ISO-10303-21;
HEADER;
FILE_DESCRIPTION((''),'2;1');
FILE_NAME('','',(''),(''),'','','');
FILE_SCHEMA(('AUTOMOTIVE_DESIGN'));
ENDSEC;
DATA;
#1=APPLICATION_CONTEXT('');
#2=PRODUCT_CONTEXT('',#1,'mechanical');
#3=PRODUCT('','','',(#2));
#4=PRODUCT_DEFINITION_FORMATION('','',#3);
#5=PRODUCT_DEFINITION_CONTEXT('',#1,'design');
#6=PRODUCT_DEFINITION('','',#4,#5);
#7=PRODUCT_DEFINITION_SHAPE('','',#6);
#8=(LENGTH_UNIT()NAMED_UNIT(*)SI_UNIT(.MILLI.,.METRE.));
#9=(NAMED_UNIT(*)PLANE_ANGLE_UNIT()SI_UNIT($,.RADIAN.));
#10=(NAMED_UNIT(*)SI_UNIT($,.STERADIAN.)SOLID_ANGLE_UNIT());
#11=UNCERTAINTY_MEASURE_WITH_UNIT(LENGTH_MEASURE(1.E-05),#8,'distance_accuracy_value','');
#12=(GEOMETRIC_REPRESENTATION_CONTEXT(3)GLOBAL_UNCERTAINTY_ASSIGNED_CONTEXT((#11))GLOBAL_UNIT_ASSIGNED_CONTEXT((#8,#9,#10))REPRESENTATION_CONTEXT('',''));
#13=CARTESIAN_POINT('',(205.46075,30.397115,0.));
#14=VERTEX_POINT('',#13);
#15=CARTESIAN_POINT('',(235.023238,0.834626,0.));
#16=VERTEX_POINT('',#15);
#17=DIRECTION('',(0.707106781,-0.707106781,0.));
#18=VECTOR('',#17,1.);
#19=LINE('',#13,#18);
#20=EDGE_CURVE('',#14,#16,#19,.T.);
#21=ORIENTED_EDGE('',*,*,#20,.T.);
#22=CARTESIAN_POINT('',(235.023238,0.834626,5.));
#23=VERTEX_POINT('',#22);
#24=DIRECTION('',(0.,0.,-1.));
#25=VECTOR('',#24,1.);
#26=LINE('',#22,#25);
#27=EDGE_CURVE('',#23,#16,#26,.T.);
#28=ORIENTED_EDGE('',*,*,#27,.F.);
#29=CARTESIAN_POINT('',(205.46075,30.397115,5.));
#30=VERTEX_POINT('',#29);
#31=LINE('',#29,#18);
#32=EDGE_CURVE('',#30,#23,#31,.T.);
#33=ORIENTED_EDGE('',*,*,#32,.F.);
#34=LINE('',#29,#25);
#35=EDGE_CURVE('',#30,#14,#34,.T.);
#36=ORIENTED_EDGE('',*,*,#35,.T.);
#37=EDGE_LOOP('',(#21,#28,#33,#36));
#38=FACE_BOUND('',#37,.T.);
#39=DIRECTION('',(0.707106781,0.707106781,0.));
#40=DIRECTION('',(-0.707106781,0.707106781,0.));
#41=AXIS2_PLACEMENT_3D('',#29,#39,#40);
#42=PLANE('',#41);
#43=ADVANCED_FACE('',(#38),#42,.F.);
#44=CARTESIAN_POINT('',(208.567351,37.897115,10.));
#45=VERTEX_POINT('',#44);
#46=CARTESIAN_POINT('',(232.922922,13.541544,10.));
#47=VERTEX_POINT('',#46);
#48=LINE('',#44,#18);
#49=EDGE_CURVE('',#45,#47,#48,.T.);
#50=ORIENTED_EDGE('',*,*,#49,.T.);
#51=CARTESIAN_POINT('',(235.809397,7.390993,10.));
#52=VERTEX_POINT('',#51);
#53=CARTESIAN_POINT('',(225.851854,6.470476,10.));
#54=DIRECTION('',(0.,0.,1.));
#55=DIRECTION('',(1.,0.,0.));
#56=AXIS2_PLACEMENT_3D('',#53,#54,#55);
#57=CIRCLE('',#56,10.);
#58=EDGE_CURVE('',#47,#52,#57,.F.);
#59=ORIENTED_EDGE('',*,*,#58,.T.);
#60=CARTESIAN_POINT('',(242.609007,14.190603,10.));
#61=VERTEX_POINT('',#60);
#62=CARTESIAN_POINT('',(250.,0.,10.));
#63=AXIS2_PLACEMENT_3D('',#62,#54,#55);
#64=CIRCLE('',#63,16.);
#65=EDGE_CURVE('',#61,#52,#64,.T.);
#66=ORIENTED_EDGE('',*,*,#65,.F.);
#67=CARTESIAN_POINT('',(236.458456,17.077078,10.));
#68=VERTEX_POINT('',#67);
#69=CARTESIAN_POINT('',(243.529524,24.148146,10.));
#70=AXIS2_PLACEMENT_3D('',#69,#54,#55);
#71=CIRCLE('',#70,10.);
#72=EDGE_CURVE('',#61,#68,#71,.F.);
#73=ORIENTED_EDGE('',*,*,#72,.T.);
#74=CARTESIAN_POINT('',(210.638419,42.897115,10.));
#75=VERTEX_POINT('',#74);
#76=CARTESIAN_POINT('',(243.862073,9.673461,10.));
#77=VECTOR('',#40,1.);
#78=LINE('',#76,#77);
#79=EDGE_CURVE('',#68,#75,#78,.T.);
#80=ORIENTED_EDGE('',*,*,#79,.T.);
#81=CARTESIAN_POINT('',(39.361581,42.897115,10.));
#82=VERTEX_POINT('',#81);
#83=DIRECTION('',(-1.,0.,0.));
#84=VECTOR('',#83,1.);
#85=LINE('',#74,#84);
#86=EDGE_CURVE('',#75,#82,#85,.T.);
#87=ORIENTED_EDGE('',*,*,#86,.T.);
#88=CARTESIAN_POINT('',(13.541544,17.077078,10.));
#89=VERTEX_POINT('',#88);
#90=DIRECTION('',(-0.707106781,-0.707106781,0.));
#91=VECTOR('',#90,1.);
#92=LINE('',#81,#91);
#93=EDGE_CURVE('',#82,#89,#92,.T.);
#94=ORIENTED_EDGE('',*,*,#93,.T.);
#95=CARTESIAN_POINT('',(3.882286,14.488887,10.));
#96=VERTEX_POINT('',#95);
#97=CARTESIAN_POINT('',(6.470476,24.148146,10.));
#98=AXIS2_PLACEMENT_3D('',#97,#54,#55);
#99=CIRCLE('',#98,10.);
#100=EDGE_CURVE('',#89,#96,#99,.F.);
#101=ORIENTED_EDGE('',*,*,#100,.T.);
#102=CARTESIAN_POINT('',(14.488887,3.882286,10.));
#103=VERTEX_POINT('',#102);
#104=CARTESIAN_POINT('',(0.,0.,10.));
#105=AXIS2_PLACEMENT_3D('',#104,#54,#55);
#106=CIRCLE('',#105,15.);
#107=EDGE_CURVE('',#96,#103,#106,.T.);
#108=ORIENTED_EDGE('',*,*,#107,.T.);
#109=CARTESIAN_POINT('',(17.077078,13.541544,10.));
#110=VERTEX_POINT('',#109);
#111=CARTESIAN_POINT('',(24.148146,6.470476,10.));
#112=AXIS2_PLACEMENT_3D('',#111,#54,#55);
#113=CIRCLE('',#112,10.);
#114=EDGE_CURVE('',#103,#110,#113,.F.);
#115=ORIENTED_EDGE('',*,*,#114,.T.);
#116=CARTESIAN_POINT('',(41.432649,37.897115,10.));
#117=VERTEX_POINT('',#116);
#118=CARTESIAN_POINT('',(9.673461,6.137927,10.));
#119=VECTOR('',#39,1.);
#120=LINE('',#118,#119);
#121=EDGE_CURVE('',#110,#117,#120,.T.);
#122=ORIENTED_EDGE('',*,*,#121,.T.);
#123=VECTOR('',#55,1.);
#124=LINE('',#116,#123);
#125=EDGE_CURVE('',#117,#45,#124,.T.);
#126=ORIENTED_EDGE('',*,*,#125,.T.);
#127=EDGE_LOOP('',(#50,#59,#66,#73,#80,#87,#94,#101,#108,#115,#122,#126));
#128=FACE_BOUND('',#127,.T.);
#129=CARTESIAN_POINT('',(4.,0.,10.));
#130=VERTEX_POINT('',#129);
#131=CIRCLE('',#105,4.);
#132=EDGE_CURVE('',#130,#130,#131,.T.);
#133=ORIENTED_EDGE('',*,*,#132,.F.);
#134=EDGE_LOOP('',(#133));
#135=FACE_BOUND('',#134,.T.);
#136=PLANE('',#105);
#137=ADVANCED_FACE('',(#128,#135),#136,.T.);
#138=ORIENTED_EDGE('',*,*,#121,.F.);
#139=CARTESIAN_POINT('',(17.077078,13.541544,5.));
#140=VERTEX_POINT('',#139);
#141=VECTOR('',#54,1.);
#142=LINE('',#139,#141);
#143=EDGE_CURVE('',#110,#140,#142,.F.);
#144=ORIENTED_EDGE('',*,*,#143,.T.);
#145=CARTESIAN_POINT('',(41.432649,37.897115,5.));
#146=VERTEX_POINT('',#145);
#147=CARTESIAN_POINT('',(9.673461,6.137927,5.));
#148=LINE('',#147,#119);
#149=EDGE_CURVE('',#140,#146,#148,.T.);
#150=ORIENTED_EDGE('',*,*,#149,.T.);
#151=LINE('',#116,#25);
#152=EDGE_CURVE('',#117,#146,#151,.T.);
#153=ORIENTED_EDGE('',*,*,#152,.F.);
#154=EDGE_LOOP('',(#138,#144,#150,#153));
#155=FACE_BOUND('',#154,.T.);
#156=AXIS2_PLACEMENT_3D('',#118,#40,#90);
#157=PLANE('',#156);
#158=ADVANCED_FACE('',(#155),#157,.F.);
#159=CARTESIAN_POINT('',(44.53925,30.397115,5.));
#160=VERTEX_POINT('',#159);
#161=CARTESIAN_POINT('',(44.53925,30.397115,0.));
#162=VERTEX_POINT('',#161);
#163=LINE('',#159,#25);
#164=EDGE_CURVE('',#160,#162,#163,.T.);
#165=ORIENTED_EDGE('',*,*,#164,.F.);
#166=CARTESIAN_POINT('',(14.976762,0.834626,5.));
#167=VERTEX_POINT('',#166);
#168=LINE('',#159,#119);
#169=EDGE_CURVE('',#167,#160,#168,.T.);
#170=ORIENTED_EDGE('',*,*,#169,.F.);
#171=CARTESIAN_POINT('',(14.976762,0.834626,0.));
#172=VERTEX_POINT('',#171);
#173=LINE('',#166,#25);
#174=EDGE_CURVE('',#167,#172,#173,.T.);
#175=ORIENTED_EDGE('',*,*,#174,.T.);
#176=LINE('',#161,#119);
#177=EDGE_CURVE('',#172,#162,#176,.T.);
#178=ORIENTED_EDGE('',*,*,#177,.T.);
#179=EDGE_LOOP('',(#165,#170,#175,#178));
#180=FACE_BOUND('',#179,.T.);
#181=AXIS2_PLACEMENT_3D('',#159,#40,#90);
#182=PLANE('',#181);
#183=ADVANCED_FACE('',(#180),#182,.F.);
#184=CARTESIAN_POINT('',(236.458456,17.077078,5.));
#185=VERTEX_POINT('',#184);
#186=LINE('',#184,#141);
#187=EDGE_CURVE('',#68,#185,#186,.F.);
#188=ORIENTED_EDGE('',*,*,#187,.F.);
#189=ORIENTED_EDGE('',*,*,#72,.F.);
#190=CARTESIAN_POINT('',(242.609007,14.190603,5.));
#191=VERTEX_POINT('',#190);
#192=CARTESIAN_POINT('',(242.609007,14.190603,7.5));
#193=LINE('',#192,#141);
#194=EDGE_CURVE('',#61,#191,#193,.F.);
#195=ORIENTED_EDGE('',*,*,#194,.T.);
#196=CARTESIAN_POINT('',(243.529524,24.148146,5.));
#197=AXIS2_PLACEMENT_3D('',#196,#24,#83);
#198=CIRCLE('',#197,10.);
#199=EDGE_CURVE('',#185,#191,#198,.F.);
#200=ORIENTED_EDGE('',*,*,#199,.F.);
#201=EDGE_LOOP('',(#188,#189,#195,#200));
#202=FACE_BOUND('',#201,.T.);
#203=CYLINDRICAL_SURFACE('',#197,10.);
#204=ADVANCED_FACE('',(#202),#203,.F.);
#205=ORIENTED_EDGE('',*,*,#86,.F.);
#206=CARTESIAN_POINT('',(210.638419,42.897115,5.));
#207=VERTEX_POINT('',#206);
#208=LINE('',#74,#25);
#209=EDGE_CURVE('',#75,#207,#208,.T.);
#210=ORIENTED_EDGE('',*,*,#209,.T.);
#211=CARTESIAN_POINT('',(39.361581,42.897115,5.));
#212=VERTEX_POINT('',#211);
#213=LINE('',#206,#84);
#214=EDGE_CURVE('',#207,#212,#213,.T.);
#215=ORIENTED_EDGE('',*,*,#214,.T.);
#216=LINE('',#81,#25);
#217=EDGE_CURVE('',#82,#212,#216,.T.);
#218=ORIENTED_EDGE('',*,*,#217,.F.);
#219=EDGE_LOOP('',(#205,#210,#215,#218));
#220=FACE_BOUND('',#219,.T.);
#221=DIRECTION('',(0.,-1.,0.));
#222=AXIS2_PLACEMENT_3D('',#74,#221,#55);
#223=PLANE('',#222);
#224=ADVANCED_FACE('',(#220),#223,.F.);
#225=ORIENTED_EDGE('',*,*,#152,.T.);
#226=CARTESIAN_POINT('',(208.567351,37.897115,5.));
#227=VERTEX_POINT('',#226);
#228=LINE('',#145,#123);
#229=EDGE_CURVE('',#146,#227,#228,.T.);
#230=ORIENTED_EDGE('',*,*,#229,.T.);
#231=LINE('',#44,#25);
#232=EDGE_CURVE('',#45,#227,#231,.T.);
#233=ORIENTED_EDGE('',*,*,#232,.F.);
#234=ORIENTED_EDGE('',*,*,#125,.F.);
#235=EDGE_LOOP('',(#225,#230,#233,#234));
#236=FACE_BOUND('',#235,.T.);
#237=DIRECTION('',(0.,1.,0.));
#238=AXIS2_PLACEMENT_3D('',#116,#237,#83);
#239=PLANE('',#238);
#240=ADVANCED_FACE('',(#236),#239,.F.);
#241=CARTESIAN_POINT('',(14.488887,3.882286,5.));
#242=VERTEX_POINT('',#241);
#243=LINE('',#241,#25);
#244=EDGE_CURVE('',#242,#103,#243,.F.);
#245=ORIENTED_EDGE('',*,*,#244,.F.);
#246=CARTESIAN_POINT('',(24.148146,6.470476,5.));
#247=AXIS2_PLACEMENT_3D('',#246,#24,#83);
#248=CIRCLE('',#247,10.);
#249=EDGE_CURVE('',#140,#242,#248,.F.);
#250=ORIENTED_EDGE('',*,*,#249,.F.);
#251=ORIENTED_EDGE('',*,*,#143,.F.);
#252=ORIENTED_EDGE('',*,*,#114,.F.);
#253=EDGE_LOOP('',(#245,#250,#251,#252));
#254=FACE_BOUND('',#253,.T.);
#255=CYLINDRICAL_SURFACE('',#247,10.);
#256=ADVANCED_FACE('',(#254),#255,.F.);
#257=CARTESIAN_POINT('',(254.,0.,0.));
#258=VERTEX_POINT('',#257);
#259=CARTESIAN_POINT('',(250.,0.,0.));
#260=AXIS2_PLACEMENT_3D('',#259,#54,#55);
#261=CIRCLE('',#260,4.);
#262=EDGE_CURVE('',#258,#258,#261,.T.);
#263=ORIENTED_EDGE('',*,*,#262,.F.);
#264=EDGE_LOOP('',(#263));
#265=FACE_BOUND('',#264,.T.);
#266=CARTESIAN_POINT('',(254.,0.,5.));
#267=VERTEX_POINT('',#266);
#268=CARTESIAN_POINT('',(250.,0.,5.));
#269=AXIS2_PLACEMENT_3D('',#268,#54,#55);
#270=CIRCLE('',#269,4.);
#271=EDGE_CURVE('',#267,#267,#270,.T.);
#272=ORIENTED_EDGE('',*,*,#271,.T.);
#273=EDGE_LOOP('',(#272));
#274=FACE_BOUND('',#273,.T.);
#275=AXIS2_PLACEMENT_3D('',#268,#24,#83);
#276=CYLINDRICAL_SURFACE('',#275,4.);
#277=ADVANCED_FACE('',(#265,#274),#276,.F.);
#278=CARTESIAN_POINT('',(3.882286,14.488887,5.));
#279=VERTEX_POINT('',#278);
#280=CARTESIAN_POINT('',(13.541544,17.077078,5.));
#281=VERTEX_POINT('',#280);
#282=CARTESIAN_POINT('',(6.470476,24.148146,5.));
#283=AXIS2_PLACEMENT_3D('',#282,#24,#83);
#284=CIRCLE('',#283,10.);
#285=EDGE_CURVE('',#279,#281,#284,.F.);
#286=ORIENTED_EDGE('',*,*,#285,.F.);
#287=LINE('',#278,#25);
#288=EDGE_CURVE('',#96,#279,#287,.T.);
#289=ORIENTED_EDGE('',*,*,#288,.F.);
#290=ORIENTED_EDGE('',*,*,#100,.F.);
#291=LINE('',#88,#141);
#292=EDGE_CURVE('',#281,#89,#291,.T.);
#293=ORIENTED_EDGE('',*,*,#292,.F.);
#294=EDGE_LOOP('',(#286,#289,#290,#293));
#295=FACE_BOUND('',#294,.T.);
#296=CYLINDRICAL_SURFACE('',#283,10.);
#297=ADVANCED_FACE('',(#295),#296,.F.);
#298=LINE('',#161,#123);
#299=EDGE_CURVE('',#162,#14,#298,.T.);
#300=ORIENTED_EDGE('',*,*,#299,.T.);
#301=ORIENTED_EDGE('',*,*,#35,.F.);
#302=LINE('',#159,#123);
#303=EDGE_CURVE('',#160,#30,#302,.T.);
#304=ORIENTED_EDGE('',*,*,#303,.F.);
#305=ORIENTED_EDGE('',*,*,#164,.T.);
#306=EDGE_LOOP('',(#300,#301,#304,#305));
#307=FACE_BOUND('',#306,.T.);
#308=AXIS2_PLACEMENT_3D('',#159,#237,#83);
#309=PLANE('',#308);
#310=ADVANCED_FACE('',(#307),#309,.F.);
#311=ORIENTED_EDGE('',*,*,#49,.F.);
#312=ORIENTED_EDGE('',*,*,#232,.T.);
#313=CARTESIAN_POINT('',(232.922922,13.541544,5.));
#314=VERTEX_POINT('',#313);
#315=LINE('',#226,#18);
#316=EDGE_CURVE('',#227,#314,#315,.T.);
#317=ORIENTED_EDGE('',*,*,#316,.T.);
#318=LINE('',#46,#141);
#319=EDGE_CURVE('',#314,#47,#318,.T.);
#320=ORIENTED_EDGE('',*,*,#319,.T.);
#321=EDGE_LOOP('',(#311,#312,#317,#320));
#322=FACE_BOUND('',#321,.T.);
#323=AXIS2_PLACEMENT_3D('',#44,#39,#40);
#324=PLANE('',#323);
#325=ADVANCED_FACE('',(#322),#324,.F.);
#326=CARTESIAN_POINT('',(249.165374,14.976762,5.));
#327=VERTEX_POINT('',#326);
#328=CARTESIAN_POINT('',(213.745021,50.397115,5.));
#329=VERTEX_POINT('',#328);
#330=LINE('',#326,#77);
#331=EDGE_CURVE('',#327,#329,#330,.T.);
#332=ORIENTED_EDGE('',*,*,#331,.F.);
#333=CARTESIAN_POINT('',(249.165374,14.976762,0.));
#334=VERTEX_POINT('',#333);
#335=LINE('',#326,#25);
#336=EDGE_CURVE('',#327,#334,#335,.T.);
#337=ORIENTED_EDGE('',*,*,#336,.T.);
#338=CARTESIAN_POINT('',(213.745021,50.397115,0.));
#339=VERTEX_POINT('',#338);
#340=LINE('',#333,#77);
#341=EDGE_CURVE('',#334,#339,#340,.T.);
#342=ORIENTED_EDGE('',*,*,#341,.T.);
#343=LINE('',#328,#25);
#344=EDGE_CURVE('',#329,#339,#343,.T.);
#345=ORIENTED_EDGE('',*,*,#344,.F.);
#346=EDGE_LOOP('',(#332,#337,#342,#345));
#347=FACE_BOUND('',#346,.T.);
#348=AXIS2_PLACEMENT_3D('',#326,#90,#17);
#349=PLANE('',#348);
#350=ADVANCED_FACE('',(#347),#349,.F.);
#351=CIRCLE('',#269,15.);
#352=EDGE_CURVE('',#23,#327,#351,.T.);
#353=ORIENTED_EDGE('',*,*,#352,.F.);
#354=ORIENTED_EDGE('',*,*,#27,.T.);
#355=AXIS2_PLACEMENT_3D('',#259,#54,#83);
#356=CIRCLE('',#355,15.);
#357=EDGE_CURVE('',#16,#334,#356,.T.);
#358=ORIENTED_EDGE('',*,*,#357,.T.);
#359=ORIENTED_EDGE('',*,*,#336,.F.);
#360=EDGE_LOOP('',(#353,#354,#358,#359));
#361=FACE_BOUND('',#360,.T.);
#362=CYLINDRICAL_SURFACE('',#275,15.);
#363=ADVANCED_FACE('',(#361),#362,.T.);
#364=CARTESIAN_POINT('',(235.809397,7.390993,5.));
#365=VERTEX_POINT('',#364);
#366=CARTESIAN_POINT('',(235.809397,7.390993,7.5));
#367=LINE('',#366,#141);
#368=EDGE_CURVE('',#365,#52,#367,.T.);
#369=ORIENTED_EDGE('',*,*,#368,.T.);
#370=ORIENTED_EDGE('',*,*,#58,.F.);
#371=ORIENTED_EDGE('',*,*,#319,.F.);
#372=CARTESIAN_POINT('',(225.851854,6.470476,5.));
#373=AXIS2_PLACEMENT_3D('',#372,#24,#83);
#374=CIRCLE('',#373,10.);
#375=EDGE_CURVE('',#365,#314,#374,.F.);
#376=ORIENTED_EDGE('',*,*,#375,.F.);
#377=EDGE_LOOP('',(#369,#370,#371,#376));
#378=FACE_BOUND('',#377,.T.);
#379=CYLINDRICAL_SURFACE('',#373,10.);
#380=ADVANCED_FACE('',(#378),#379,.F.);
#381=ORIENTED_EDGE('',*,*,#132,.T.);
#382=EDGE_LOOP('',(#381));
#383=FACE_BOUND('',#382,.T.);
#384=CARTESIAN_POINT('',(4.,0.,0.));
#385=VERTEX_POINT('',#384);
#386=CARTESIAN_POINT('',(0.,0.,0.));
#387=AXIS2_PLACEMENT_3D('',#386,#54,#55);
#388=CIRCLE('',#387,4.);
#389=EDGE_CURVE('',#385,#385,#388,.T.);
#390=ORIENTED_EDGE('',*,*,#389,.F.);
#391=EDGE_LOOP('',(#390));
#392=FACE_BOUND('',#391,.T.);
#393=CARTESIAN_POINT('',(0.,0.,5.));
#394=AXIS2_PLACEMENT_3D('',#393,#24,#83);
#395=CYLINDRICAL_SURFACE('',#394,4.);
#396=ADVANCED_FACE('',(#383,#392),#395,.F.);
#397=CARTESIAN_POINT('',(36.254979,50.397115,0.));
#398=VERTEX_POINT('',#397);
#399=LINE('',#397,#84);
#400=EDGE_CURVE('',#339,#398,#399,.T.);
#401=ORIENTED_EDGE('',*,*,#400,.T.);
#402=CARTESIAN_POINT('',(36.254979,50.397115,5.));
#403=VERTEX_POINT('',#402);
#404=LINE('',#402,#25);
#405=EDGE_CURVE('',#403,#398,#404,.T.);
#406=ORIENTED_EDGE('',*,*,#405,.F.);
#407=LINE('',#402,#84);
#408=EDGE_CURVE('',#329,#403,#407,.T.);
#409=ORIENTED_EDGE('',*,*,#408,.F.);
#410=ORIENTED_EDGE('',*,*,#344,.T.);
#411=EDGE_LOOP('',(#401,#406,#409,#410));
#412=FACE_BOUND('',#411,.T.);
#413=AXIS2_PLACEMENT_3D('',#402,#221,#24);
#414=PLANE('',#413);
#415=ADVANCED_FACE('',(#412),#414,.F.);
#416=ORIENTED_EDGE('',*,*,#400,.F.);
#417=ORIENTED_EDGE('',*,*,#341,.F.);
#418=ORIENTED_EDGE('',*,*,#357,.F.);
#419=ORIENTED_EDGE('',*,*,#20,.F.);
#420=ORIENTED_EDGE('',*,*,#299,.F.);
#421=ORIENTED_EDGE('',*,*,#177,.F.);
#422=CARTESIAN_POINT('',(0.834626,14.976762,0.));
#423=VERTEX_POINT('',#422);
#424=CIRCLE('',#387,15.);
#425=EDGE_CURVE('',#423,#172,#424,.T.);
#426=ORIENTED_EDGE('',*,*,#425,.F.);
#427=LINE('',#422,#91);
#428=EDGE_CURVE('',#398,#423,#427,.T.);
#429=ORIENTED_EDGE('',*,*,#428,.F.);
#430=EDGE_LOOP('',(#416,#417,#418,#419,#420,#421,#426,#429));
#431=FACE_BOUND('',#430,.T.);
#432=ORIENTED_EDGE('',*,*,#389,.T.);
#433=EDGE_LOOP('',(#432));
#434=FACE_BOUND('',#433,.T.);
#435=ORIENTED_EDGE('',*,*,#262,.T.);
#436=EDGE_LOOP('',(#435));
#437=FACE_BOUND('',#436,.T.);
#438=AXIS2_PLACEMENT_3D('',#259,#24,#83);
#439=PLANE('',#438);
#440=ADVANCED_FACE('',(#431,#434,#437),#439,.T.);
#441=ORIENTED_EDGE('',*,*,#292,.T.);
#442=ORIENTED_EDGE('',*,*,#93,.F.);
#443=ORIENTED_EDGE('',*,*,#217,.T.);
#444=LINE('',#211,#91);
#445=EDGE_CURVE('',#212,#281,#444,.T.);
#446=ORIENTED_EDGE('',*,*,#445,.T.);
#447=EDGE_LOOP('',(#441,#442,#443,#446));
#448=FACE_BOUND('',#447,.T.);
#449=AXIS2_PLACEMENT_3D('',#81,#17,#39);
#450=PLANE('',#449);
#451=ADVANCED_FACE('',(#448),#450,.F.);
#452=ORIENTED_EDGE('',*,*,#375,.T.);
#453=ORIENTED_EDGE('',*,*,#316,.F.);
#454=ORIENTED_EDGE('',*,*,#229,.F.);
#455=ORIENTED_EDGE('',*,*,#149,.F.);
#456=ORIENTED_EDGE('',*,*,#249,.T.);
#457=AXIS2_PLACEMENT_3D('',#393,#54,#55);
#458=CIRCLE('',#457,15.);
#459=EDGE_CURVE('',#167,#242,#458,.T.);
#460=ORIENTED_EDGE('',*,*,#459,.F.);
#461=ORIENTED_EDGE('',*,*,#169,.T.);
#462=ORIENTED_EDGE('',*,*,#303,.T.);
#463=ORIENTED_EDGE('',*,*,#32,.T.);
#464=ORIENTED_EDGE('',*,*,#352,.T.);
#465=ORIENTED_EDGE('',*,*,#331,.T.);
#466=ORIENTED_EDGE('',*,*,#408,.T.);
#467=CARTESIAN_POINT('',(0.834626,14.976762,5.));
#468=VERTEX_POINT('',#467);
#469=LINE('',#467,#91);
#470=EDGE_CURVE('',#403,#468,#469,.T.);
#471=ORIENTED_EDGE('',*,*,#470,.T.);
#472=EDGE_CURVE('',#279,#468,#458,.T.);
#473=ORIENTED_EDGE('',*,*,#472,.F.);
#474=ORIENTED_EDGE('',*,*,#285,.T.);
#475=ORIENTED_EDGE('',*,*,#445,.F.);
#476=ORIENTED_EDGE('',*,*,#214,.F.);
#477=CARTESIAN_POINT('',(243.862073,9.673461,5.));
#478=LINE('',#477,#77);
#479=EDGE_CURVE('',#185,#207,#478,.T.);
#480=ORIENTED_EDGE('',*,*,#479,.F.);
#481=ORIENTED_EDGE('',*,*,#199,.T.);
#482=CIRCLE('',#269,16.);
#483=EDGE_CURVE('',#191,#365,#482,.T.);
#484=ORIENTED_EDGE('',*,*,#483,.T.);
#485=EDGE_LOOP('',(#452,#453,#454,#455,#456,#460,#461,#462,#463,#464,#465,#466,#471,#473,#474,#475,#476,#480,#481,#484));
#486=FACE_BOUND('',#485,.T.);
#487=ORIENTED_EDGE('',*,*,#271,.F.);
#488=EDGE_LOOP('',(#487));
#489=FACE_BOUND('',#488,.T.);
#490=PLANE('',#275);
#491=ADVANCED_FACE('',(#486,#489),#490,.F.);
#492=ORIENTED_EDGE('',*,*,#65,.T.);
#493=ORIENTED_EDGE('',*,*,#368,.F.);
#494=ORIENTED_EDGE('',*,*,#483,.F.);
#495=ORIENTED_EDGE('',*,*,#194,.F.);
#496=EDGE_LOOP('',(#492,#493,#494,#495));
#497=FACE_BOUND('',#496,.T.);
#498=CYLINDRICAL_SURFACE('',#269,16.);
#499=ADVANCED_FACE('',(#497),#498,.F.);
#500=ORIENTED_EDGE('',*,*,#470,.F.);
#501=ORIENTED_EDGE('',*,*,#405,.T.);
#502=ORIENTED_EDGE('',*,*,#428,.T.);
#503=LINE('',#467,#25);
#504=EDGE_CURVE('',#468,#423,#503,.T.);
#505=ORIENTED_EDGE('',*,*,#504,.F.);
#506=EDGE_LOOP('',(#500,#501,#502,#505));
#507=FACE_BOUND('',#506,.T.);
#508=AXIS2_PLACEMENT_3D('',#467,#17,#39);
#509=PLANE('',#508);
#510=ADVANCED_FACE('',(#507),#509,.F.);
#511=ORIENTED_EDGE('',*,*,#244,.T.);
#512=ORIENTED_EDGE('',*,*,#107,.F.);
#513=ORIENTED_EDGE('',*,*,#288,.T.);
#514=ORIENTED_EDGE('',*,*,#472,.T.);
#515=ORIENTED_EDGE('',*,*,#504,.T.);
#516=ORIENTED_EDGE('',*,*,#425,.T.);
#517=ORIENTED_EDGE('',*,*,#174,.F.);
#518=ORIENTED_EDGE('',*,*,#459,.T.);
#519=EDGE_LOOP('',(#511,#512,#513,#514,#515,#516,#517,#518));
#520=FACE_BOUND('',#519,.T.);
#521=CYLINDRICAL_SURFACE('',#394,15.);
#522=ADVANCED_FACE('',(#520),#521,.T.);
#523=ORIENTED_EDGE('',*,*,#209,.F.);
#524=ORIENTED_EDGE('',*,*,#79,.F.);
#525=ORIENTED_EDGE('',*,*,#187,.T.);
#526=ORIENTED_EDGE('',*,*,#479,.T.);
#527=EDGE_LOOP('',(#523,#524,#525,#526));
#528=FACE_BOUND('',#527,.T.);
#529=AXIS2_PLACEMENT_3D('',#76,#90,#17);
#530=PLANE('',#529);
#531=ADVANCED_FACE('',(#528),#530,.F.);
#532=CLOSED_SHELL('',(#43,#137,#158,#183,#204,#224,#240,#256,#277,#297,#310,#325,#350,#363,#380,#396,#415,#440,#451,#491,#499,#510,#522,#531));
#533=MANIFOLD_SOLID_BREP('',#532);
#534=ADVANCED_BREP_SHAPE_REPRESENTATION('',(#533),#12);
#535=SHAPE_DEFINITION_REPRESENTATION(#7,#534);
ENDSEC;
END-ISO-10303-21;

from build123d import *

# Parameters (mm, degrees)
SKETCH1_R             = 4
BOSS_EXTRUDE1_DEPTH   = 5
BOSS_EXTRUDE2_DEPTH   = 5
SKETCH7_R             = 15
SKETCH7_R_2           = 4
BOSS_EXTRUDE3_DEPTH   = 5
FILLET1_R             = 10
IZIM1_R               = 16
KES_EKSTR_ZYON1_DEPTH = 5


with BuildPart() as part:
    # Sketch1 → Boss-Extrude1 (new body)
    with BuildSketch(Plane.XY):
        with BuildLine():
            Line((44.539250231, 30.397114607), (14.976761962, 0.834626339))
            ThreePointArc((14.976761962, 0.834626339), (-10.606601718, -10.606601718), (0.834626339, 14.976761962))
            Line((0.834626339, 14.976761962), (36.254978983, 50.397114607))
            Line((36.254978983, 50.397114607), (213.745021017, 50.397114607))
            Line((213.745021017, 50.397114607), (249.165373661, 14.976761962))
            ThreePointArc((249.165373661, 14.976761962), (260.606601718, -10.606601718), (235.023238038, 0.834626339))
            Line((235.023238038, 0.834626339), (205.460749769, 30.397114607))
            Line((205.460749769, 30.397114607), (44.539250231, 30.397114607))
        make_face()
        Circle(SKETCH1_R, mode=Mode.SUBTRACT)
        with Locations((250, 0)):
            Circle(SKETCH1_R, mode=Mode.SUBTRACT)
    extrude(amount=BOSS_EXTRUDE1_DEPTH)

    # Sketch6 → Boss-Extrude2 (add)
    with BuildSketch(Plane.XY.offset(5)):
        Polygon((243.862072803, 9.673461103), (210.638419299, 42.897114607), (39.361580701, 42.897114607), (6.137927197, 9.673461103), (9.673461103, 6.137927197), (41.432648513, 37.897114607), (208.567351487, 37.897114607), (240.326538897, 6.137927197), align=None)
    extrude(amount=BOSS_EXTRUDE2_DEPTH)

    # Sketch7 → Boss-Extrude3 (add)
    # profile 1 of 2: a face of its own
    with BuildSketch(Plane.XY.offset(5)):
        Circle(SKETCH7_R)
        Circle(SKETCH7_R_2, mode=Mode.SUBTRACT)
    # profile 2 of 2: a face of its own
    with BuildSketch(Plane.XY.offset(5)):
        with Locations((250, 0)):
            Circle(SKETCH7_R)
        with Locations((250, 0)):
            Circle(SKETCH7_R_2, mode=Mode.SUBTRACT)
    extrude(amount=BOSS_EXTRUDE3_DEPTH)

    # Fillet1
    fillet1_edges = [part.edges().sort_by_distance(p)[0] for p in [
        (8.690483379, 12.226017285, 7.5),
        (12.226017285, 8.690483379, 7.5),
        (241.309516621, 12.226017285, 7.5),
        (237.773982715, 8.690483379, 7.5),
    ]]
    fillet(fillet1_edges, radius=FILLET1_R)

    # Çizim1 → Kes-Ekstrüzyon1 (cut)
    with BuildSketch(Plane.XY.offset(10)):
        with Locations((250, 0)):
            Circle(IZIM1_R)
    extrude(amount=-KES_EKSTR_ZYON1_DEPTH, mode=Mode.SUBTRACT)


solid = part.part
